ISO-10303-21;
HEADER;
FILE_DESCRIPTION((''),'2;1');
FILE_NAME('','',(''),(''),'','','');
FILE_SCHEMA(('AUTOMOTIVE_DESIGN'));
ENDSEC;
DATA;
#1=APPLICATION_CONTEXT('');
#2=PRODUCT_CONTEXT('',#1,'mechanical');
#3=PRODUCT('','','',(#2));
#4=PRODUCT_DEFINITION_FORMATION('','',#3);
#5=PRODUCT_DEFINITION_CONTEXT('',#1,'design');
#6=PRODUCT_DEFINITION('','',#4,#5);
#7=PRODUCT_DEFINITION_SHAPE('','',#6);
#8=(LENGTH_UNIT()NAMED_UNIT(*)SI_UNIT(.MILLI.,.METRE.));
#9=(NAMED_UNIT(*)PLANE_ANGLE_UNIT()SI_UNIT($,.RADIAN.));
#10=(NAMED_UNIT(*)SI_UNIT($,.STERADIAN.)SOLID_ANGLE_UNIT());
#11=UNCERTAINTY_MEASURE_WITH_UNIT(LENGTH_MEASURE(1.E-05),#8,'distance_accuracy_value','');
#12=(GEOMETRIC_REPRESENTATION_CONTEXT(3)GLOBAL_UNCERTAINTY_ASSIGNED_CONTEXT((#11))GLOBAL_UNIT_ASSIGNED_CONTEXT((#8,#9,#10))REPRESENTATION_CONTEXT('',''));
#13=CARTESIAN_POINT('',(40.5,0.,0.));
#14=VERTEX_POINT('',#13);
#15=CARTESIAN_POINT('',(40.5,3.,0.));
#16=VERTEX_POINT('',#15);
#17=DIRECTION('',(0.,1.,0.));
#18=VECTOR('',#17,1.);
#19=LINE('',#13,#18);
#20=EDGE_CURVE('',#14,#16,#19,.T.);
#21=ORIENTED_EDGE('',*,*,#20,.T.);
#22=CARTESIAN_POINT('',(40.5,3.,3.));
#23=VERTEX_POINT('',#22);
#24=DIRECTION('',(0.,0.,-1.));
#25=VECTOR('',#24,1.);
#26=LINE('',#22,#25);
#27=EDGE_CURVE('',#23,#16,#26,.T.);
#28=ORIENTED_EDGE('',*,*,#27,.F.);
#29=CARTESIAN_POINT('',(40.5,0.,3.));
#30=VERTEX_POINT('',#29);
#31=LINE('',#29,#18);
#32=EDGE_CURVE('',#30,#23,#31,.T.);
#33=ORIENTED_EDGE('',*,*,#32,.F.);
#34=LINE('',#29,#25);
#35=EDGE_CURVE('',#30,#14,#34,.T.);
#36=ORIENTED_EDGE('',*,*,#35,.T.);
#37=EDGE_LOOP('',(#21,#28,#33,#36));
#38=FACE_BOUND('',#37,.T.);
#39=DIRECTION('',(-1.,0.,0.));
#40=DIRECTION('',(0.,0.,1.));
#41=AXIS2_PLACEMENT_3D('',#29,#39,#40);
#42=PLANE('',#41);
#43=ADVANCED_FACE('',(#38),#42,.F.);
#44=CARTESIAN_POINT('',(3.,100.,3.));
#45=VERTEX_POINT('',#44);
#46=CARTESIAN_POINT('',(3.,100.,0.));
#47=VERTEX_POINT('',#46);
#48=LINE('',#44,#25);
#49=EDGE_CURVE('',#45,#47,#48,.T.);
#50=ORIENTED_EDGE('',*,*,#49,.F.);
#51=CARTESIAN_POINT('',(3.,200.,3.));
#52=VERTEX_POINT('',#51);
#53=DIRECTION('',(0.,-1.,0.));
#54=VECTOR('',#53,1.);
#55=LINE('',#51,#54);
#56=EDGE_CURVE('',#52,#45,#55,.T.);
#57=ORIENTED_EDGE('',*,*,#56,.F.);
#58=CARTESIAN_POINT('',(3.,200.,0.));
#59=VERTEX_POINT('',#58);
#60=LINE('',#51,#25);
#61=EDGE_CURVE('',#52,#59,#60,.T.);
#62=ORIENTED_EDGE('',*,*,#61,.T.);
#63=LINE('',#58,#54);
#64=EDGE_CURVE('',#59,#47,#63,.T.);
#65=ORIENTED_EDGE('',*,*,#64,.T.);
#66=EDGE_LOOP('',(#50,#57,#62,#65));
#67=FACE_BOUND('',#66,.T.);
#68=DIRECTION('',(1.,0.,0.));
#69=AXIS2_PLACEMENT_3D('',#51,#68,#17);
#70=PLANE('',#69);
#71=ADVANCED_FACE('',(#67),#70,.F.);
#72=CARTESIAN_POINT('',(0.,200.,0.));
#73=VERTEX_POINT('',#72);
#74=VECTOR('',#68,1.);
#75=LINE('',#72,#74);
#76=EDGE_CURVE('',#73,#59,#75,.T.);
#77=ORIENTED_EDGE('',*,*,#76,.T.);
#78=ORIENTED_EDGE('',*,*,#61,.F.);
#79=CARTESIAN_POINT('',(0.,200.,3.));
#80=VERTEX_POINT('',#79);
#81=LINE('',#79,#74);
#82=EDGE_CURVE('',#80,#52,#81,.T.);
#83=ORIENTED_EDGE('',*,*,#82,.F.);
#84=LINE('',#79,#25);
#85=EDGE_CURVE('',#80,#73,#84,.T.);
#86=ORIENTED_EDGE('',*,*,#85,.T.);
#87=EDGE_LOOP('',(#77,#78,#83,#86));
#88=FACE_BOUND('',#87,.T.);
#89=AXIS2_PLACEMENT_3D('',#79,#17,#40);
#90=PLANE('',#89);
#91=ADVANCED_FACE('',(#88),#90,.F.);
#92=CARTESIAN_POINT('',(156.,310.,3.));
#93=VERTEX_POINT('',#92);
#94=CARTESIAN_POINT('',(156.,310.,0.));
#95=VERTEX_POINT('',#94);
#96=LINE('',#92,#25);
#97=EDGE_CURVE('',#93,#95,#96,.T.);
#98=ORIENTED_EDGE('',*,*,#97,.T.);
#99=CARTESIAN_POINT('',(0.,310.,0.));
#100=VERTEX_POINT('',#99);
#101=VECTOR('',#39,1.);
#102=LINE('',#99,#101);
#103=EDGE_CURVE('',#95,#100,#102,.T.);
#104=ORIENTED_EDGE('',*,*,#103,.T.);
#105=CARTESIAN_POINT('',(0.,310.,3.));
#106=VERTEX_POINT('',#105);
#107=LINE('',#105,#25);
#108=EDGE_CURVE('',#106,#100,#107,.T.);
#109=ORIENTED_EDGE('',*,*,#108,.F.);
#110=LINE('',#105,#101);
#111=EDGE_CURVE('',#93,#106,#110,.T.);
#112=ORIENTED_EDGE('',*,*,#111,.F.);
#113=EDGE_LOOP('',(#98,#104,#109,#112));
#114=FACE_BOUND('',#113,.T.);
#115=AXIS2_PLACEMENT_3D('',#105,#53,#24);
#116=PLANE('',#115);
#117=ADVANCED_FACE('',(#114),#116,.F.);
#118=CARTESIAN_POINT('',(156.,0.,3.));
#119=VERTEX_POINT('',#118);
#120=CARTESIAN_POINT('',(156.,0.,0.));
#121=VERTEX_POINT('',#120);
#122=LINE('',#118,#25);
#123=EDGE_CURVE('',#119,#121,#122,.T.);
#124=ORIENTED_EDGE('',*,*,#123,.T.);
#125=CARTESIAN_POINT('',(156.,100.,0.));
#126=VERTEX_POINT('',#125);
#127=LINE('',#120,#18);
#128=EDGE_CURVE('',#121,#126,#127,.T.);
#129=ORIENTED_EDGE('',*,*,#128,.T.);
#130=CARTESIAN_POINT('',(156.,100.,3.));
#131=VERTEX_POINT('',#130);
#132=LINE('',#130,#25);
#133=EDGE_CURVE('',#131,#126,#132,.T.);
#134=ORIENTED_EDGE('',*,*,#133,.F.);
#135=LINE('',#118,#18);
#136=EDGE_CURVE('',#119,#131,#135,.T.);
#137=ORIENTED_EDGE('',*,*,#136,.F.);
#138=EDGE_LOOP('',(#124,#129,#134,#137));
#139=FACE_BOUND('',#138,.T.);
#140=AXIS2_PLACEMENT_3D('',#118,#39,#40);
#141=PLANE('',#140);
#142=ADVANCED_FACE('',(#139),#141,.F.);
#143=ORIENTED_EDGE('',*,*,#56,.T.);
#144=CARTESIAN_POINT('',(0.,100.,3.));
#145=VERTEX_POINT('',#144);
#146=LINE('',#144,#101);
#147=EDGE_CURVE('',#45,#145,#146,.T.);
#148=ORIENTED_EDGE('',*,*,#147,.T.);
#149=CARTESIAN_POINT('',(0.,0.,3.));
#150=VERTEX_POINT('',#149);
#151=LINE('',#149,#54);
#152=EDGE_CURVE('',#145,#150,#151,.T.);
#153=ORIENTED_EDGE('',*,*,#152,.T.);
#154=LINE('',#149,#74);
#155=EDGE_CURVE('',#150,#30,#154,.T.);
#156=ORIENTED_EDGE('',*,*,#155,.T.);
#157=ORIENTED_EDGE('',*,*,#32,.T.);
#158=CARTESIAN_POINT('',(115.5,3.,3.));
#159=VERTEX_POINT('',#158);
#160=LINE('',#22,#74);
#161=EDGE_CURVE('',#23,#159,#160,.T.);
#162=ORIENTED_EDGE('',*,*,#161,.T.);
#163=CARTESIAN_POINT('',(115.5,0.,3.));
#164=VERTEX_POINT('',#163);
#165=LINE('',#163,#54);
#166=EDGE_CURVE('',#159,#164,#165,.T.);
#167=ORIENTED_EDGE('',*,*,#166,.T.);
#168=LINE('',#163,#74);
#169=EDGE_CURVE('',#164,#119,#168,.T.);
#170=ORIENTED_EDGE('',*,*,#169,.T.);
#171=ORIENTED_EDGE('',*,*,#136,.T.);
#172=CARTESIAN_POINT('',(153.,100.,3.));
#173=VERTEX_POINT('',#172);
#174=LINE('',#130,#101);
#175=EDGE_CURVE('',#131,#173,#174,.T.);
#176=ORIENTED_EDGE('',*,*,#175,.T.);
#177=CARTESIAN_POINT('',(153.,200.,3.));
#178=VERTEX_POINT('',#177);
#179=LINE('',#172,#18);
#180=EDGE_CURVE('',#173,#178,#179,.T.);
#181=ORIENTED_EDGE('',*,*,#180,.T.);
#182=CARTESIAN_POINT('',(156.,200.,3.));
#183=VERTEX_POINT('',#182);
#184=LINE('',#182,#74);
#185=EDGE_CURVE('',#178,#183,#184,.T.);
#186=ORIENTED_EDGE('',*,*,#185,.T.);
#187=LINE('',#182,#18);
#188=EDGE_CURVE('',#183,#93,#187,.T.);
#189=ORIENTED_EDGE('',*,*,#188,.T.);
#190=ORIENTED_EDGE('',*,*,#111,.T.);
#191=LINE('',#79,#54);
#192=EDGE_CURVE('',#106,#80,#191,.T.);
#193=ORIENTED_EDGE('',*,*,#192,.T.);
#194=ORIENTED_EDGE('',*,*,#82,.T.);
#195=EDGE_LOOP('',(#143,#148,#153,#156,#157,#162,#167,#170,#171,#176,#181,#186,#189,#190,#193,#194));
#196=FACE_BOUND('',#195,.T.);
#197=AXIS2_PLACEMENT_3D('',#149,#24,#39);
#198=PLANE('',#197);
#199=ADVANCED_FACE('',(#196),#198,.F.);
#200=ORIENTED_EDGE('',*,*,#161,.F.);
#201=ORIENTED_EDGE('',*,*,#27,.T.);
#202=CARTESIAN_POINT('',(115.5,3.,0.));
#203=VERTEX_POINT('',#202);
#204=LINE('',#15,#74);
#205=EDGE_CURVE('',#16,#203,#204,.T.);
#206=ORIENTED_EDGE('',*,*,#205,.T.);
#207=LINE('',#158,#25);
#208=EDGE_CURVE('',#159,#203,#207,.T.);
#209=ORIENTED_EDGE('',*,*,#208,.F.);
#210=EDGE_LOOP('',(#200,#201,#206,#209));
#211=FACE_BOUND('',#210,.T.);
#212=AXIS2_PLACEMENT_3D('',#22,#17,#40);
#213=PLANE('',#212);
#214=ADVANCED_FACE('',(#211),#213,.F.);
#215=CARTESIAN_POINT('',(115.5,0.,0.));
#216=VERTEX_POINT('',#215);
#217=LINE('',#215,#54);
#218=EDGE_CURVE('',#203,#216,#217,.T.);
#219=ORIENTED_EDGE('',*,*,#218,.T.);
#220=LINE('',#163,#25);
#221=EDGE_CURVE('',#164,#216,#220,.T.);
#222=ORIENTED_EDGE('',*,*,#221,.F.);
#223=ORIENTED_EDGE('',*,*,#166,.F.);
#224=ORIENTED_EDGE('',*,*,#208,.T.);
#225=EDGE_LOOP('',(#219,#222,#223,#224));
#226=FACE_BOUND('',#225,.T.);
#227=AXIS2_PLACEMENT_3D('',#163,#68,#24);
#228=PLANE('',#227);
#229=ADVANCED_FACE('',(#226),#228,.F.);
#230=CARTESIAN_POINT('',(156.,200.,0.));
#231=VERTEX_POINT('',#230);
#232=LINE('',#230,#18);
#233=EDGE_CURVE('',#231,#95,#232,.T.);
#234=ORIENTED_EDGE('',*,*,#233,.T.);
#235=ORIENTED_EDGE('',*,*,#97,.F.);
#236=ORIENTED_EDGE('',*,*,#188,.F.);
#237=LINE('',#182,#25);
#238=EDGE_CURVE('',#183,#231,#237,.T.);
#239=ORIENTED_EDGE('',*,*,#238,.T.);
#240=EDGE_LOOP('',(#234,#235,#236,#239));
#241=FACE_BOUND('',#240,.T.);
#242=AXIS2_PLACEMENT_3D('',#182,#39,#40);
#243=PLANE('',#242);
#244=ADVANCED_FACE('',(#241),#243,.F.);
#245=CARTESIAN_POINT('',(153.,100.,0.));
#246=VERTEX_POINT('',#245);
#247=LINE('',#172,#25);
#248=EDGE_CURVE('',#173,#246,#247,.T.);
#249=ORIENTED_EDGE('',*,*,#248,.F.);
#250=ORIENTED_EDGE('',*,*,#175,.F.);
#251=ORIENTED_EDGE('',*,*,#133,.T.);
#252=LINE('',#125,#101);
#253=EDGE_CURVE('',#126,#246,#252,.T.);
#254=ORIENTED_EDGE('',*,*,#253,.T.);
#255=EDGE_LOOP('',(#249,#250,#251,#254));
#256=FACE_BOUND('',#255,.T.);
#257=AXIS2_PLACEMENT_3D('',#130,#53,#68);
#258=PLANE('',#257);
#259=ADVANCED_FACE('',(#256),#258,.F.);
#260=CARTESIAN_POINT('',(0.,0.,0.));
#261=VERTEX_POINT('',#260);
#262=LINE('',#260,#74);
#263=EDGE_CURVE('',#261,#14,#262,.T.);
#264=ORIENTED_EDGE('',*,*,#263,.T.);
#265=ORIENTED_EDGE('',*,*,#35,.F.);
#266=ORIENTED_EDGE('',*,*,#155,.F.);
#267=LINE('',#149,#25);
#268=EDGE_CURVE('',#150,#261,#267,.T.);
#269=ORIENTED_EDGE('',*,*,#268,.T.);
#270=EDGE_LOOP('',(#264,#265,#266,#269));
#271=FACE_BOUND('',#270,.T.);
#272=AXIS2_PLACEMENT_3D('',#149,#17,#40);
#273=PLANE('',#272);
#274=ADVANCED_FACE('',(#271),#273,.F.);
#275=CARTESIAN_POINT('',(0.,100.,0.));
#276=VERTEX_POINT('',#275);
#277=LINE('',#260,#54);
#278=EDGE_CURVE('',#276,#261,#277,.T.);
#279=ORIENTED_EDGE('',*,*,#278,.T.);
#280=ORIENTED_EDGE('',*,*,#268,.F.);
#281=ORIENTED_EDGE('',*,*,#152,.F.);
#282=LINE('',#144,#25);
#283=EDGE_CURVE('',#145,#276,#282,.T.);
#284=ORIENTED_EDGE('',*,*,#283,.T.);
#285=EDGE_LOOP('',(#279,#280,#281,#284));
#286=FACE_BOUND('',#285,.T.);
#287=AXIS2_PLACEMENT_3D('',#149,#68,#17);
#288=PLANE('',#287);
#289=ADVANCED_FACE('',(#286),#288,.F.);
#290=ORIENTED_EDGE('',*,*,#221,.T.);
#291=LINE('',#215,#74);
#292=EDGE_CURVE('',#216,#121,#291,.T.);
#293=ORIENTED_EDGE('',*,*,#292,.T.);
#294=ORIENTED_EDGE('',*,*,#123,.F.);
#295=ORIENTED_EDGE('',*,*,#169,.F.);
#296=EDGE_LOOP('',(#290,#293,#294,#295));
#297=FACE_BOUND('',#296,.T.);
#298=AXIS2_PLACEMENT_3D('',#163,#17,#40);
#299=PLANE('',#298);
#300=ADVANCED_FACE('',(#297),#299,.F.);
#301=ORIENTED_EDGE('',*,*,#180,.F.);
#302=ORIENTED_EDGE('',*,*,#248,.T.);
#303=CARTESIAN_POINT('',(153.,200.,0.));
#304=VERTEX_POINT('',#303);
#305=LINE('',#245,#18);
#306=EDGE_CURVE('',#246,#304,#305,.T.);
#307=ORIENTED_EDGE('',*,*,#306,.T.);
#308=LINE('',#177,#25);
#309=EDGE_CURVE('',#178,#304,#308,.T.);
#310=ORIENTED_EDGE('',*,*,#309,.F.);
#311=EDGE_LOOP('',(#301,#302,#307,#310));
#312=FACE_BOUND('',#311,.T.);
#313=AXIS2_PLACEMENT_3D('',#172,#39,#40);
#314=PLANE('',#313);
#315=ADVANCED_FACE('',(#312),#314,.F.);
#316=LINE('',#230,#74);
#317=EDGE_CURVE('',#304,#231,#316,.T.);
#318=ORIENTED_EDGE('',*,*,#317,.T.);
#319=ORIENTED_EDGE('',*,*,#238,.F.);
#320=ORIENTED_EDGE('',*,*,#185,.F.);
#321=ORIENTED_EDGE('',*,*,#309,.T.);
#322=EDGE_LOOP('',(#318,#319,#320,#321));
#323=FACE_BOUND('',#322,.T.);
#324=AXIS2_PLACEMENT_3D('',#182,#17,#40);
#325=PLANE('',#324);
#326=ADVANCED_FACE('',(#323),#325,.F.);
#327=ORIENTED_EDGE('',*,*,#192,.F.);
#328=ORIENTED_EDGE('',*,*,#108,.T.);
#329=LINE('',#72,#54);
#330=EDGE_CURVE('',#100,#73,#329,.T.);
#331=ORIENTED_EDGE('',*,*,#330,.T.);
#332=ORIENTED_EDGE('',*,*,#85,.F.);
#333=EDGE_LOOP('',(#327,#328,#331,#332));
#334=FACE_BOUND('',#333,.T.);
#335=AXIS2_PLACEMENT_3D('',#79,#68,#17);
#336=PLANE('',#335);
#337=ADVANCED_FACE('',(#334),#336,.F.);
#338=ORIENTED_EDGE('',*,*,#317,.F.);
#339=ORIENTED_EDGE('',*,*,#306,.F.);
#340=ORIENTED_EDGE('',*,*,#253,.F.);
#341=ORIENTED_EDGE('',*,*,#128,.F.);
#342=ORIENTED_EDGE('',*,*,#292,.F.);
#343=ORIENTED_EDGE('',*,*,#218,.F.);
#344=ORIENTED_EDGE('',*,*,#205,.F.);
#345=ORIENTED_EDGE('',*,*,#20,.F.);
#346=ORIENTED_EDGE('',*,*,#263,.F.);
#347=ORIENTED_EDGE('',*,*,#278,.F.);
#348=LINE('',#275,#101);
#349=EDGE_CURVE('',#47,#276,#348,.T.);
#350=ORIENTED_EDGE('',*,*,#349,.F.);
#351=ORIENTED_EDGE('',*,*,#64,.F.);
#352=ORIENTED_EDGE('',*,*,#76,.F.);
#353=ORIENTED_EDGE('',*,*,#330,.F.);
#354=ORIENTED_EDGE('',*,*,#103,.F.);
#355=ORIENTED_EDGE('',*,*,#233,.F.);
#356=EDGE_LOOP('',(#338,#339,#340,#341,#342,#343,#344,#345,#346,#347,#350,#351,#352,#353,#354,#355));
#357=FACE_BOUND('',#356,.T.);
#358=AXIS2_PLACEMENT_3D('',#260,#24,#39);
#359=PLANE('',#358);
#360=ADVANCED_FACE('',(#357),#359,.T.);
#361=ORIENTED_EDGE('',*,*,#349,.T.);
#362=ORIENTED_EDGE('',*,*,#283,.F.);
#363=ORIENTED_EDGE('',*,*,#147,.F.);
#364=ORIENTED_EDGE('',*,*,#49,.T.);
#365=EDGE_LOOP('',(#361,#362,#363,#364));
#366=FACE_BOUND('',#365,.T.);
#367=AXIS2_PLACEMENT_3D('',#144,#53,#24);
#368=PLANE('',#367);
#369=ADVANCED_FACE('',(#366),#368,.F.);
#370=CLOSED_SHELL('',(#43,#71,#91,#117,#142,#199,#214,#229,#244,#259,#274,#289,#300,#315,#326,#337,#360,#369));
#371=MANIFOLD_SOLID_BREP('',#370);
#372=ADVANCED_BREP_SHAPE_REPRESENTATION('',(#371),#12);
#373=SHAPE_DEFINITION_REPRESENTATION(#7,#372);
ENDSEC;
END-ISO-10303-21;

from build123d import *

# Parameters (mm, degrees)
SALIENTE_EXTRUIR1_DEPTH = 3


with BuildPart() as part:
    # Croquis1 → Saliente-Extruir1 (new body)
    with BuildSketch(Plane.XY):
        Polygon((0, 200), (0, 310), (156, 310), (156, 200), (153, 200), (153, 100), (156, 100), (156, 0), (115.5, 0), (115.5, 3), (40.5, 3), (40.5, 0), (0, 0), (0, 100), (3, 100), (3, 200), align=None)
    extrude(amount=SALIENTE_EXTRUIR1_DEPTH)


solid = part.part
